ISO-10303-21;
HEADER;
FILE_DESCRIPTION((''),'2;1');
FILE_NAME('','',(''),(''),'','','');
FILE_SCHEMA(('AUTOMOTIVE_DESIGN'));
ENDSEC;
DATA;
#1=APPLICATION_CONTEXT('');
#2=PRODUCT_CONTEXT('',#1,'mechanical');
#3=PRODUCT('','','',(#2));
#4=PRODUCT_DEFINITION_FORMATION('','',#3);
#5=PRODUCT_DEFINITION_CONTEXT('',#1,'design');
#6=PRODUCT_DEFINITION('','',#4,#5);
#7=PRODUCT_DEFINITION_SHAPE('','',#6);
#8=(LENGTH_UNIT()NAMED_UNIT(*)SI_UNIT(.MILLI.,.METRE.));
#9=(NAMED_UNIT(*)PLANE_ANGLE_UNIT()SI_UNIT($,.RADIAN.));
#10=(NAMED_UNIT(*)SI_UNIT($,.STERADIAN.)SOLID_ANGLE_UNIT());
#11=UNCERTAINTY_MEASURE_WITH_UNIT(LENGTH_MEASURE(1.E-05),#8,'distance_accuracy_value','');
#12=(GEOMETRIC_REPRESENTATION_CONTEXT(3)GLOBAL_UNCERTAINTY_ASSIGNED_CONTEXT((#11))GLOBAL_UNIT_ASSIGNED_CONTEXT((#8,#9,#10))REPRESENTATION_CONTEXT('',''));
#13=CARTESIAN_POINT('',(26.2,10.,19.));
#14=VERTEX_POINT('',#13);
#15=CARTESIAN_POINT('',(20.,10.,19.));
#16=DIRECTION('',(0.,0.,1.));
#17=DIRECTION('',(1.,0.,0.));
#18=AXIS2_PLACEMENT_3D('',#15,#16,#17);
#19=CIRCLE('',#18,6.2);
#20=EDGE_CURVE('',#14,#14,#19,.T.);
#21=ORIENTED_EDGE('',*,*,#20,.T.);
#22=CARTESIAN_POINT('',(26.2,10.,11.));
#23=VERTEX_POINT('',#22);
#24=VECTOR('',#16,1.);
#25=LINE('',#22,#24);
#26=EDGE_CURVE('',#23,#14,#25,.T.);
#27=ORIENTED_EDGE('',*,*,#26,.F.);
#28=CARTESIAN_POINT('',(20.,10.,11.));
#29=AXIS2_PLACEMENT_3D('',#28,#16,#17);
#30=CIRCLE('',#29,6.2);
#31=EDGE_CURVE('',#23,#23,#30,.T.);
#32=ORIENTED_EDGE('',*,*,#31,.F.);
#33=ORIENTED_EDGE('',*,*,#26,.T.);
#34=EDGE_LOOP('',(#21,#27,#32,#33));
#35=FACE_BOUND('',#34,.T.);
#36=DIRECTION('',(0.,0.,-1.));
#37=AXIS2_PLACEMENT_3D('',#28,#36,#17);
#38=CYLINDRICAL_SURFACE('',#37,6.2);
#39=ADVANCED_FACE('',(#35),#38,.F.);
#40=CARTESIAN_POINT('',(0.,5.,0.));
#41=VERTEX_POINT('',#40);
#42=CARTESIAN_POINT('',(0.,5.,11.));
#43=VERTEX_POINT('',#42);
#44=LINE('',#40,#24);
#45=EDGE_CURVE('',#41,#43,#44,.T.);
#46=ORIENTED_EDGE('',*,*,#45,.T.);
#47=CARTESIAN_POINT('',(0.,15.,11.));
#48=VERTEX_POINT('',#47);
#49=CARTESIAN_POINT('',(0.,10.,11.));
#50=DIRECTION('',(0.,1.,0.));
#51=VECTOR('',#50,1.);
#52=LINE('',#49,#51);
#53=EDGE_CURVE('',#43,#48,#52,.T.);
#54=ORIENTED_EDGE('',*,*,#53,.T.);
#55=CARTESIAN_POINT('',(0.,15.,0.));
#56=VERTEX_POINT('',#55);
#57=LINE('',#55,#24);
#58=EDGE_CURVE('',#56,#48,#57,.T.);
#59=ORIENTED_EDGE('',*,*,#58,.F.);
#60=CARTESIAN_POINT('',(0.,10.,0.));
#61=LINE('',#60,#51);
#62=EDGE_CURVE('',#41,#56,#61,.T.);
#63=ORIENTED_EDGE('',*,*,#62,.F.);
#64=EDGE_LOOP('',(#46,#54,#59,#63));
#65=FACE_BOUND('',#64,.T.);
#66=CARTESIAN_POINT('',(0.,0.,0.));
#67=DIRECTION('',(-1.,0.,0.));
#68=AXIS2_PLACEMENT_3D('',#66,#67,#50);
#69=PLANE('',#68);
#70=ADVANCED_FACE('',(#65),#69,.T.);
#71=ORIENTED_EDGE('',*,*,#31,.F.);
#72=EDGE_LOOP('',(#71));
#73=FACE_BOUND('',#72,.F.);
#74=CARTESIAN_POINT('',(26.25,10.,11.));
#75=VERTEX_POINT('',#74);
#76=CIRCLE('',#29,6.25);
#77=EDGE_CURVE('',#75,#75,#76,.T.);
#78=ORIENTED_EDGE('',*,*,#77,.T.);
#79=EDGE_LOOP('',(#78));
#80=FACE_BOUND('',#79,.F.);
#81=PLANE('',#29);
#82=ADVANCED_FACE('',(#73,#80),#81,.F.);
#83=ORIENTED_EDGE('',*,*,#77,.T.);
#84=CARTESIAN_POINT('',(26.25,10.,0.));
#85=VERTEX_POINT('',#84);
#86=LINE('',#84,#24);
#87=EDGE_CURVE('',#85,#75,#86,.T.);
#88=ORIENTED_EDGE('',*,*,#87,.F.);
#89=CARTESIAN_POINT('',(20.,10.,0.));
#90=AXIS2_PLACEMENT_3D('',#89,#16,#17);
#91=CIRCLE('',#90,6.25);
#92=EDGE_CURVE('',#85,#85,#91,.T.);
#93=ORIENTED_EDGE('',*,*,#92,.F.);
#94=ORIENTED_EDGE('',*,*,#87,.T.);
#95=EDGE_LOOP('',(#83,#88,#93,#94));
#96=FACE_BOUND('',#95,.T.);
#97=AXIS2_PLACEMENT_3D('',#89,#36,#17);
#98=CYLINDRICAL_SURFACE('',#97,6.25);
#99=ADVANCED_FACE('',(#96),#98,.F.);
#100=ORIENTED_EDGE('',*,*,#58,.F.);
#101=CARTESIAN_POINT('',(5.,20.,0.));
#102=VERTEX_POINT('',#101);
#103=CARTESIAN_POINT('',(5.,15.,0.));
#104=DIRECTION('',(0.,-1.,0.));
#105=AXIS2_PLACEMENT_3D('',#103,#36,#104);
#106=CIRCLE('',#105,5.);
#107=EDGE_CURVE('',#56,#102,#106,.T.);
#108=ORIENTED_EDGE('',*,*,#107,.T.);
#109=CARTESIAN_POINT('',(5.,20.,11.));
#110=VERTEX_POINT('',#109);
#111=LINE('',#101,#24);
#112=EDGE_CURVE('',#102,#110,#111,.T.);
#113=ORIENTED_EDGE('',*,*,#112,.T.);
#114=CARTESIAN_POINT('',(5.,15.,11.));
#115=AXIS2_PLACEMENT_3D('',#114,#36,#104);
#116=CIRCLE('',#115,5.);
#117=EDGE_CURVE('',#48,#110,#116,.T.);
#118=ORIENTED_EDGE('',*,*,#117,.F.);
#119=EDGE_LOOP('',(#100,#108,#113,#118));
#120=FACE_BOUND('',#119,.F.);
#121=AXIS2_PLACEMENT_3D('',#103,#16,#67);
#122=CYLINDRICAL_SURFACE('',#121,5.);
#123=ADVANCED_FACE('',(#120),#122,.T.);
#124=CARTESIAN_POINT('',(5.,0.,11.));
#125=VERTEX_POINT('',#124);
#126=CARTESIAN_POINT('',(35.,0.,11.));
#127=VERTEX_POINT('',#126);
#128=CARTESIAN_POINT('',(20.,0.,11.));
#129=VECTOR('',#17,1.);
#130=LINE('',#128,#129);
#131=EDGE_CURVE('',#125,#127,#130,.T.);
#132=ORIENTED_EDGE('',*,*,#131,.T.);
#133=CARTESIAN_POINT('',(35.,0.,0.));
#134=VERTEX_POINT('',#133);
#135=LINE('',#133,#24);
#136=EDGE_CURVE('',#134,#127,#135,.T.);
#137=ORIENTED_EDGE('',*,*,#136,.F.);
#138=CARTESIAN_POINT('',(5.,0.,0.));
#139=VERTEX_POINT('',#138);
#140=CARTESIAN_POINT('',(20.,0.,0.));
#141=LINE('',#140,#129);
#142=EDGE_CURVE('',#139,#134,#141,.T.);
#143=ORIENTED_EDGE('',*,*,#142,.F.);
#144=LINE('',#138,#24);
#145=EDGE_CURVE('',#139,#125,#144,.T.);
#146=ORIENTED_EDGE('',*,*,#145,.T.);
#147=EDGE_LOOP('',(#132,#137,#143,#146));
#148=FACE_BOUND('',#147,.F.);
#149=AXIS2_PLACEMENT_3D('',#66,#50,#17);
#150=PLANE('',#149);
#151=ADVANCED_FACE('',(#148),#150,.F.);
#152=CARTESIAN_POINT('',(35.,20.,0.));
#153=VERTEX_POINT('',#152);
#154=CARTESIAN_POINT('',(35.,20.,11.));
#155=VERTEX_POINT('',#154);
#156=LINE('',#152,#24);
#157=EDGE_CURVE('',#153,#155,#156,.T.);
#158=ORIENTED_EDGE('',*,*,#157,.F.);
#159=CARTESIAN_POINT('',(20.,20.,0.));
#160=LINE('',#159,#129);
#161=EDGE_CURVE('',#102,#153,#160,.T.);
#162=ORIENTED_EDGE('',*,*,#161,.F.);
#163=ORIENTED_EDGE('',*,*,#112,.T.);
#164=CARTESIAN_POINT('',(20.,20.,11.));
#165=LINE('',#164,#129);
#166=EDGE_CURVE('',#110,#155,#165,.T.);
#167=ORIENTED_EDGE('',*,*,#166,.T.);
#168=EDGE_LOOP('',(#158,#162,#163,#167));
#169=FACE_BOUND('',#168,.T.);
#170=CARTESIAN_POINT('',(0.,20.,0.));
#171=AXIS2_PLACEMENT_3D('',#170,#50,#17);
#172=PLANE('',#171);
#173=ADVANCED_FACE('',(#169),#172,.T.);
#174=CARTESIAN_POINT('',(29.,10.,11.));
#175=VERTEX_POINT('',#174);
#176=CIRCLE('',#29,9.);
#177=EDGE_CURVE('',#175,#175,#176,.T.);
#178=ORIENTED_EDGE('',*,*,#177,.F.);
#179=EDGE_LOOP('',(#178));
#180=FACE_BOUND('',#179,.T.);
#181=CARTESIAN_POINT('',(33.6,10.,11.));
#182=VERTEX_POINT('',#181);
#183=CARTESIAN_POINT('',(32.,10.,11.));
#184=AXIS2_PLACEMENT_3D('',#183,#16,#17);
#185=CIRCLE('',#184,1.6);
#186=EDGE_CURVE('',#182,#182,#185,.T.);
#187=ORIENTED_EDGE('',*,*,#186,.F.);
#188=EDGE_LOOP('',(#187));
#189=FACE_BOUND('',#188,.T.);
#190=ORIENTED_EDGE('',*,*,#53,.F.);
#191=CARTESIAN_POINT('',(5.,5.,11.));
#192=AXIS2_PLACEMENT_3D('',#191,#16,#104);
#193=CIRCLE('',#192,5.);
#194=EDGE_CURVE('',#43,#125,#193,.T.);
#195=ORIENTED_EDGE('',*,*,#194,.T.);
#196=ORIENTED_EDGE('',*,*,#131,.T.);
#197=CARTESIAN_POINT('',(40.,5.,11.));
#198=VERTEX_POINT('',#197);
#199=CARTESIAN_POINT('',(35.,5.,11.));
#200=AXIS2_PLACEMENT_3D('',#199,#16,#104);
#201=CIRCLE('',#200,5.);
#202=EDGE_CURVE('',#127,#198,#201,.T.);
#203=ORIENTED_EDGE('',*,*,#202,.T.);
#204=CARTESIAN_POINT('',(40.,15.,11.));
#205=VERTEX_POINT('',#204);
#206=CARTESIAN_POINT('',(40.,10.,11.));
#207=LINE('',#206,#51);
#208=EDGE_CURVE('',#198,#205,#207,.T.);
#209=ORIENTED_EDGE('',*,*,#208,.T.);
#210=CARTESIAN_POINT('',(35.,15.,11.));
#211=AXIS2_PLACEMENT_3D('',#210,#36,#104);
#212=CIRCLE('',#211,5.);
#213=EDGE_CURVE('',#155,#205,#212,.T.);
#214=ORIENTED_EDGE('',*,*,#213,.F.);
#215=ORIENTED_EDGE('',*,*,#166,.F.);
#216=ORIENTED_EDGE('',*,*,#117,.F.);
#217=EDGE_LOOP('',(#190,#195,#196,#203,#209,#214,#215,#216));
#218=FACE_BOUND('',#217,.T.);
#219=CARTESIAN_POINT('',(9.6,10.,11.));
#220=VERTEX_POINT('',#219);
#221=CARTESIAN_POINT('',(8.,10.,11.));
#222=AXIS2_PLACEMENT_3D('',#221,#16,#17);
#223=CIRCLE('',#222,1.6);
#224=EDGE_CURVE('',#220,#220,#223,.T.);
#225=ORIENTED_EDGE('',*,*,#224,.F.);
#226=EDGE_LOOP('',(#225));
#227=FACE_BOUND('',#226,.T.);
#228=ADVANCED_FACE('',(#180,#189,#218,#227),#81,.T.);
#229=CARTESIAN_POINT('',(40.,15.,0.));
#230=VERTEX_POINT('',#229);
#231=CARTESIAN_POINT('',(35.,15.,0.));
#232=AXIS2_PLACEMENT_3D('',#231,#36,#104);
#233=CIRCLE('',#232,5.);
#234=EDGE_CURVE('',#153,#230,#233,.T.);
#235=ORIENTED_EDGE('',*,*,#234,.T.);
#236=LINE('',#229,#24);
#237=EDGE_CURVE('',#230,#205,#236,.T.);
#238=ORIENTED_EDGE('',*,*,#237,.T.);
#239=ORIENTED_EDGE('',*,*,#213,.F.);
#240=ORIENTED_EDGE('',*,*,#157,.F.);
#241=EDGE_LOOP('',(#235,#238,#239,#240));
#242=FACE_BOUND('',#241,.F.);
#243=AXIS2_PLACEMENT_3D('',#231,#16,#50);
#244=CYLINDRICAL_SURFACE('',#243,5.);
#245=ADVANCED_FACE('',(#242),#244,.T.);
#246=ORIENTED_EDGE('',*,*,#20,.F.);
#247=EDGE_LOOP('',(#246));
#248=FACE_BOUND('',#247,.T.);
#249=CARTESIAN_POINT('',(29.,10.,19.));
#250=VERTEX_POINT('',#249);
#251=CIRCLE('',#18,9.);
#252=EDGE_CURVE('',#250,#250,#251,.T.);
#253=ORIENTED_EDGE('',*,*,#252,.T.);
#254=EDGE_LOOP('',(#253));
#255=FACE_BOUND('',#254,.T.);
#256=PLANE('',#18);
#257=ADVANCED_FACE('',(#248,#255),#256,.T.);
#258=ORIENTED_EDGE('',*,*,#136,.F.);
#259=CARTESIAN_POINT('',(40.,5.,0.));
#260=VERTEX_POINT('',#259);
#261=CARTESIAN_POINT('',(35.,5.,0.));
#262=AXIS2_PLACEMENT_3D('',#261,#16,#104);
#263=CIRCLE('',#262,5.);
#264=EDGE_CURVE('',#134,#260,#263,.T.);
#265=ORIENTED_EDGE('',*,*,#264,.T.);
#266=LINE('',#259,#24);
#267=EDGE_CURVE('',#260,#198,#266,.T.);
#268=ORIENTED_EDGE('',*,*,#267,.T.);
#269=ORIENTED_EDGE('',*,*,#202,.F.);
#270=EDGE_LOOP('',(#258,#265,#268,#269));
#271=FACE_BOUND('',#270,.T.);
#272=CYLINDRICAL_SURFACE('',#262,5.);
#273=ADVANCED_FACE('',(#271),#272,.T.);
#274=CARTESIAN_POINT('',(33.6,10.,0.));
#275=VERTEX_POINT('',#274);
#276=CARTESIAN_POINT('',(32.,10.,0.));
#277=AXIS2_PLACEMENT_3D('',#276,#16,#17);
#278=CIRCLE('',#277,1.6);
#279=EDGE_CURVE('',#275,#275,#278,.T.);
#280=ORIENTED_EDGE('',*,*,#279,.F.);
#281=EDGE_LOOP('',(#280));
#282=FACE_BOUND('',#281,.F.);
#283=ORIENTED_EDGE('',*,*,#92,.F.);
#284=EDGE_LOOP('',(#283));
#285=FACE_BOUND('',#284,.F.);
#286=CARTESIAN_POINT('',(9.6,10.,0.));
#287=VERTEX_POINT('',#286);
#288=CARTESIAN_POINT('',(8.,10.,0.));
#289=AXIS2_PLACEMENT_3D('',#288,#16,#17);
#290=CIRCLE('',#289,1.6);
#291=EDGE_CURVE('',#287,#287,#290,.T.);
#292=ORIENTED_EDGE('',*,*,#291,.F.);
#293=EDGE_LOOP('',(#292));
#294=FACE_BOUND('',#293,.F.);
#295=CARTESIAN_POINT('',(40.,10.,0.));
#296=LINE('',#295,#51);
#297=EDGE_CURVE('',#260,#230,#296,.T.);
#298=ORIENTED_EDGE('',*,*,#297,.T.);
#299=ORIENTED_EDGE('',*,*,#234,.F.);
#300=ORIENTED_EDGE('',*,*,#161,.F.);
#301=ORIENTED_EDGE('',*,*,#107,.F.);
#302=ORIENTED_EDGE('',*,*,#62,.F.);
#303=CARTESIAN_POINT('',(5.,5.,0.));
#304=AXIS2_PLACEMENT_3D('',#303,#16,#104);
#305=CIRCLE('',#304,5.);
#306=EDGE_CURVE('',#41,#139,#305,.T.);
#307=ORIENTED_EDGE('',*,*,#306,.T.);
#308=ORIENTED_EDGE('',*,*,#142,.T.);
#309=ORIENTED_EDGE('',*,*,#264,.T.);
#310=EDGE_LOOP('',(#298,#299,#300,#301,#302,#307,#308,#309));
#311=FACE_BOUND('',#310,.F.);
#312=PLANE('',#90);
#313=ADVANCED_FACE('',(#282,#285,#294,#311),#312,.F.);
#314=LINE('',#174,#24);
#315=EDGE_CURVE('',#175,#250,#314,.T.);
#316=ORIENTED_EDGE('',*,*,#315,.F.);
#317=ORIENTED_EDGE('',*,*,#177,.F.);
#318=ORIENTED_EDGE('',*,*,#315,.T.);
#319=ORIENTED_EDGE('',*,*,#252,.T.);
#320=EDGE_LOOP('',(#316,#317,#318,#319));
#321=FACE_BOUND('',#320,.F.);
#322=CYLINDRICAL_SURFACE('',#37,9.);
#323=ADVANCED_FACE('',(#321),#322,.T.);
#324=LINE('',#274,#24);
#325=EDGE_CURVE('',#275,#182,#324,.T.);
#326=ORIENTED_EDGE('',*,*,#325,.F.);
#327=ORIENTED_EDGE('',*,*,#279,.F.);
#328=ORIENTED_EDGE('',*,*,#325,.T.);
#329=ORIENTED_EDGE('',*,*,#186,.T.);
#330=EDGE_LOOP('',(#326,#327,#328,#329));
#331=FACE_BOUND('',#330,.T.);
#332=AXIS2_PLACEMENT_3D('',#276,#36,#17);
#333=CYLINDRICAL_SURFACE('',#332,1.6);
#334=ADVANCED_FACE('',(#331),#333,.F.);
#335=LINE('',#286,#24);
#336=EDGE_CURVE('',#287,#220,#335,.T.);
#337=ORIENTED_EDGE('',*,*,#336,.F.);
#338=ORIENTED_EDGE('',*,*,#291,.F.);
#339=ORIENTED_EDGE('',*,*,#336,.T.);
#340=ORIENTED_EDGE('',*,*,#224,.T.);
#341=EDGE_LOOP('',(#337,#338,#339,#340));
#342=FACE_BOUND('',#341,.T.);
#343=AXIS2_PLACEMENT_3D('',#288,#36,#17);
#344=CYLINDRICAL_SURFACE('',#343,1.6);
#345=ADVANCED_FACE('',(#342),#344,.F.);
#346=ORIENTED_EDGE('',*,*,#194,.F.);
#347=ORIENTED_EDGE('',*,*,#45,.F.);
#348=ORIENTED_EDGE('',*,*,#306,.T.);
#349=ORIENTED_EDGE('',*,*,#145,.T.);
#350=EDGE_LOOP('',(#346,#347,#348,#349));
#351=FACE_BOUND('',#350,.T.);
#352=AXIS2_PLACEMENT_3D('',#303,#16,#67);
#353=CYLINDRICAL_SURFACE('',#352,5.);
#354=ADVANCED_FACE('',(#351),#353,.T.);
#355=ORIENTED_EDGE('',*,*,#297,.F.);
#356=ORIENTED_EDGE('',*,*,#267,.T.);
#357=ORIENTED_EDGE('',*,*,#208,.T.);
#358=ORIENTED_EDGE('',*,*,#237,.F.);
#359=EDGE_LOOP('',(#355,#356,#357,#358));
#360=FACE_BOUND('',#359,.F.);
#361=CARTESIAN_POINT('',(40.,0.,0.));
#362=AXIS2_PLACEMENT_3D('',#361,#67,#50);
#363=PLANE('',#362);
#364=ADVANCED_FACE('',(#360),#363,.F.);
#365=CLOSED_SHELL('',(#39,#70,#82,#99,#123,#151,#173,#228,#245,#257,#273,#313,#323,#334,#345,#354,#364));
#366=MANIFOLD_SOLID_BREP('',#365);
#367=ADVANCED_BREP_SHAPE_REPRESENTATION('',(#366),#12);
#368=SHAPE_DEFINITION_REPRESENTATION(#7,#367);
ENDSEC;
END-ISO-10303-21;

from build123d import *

# Parameters (mm, degrees)
F0_W     = 40
F0_H     = 20
F0_R     = 1.6
F0_R_2   = 6.25
F1_DEPTH = 11
F2_R     = 9
F2_R_2   = 6.2
F3_DEPTH = 8
F4_R     = 5


with BuildPart() as f1:
    # F0 (on Top) → F1 (new body)
    with BuildSketch(Plane.XY):
        with Locations((20, 10)):
            Rectangle(F0_W, F0_H)
        with Locations((8, 10)):
            Circle(F0_R, mode=Mode.SUBTRACT)
        with Locations((20, 10)):
            Circle(F0_R_2, mode=Mode.SUBTRACT)
        with Locations((32, 10)):
            Circle(F0_R, mode=Mode.SUBTRACT)
    extrude(amount=F1_DEPTH)

    # F2 (on face) → F3 (join)
    with BuildSketch(Plane.XY.offset(11)):
        with Locations((20, 10)):
            Circle(F2_R)
        with Locations((20, 10)):
            Circle(F2_R_2, mode=Mode.SUBTRACT)
    extrude(amount=F3_DEPTH)

    # F4
    f4_edges = [f1.edges().sort_by_distance(p)[0] for p in [
        (40, 20, 5.5),
        (40, 0, 5.5),
        (0, 0, 5.5),
        (0, 20, 5.5),
    ]]
    fillet(f4_edges, radius=F4_R)


solid = f1.part
